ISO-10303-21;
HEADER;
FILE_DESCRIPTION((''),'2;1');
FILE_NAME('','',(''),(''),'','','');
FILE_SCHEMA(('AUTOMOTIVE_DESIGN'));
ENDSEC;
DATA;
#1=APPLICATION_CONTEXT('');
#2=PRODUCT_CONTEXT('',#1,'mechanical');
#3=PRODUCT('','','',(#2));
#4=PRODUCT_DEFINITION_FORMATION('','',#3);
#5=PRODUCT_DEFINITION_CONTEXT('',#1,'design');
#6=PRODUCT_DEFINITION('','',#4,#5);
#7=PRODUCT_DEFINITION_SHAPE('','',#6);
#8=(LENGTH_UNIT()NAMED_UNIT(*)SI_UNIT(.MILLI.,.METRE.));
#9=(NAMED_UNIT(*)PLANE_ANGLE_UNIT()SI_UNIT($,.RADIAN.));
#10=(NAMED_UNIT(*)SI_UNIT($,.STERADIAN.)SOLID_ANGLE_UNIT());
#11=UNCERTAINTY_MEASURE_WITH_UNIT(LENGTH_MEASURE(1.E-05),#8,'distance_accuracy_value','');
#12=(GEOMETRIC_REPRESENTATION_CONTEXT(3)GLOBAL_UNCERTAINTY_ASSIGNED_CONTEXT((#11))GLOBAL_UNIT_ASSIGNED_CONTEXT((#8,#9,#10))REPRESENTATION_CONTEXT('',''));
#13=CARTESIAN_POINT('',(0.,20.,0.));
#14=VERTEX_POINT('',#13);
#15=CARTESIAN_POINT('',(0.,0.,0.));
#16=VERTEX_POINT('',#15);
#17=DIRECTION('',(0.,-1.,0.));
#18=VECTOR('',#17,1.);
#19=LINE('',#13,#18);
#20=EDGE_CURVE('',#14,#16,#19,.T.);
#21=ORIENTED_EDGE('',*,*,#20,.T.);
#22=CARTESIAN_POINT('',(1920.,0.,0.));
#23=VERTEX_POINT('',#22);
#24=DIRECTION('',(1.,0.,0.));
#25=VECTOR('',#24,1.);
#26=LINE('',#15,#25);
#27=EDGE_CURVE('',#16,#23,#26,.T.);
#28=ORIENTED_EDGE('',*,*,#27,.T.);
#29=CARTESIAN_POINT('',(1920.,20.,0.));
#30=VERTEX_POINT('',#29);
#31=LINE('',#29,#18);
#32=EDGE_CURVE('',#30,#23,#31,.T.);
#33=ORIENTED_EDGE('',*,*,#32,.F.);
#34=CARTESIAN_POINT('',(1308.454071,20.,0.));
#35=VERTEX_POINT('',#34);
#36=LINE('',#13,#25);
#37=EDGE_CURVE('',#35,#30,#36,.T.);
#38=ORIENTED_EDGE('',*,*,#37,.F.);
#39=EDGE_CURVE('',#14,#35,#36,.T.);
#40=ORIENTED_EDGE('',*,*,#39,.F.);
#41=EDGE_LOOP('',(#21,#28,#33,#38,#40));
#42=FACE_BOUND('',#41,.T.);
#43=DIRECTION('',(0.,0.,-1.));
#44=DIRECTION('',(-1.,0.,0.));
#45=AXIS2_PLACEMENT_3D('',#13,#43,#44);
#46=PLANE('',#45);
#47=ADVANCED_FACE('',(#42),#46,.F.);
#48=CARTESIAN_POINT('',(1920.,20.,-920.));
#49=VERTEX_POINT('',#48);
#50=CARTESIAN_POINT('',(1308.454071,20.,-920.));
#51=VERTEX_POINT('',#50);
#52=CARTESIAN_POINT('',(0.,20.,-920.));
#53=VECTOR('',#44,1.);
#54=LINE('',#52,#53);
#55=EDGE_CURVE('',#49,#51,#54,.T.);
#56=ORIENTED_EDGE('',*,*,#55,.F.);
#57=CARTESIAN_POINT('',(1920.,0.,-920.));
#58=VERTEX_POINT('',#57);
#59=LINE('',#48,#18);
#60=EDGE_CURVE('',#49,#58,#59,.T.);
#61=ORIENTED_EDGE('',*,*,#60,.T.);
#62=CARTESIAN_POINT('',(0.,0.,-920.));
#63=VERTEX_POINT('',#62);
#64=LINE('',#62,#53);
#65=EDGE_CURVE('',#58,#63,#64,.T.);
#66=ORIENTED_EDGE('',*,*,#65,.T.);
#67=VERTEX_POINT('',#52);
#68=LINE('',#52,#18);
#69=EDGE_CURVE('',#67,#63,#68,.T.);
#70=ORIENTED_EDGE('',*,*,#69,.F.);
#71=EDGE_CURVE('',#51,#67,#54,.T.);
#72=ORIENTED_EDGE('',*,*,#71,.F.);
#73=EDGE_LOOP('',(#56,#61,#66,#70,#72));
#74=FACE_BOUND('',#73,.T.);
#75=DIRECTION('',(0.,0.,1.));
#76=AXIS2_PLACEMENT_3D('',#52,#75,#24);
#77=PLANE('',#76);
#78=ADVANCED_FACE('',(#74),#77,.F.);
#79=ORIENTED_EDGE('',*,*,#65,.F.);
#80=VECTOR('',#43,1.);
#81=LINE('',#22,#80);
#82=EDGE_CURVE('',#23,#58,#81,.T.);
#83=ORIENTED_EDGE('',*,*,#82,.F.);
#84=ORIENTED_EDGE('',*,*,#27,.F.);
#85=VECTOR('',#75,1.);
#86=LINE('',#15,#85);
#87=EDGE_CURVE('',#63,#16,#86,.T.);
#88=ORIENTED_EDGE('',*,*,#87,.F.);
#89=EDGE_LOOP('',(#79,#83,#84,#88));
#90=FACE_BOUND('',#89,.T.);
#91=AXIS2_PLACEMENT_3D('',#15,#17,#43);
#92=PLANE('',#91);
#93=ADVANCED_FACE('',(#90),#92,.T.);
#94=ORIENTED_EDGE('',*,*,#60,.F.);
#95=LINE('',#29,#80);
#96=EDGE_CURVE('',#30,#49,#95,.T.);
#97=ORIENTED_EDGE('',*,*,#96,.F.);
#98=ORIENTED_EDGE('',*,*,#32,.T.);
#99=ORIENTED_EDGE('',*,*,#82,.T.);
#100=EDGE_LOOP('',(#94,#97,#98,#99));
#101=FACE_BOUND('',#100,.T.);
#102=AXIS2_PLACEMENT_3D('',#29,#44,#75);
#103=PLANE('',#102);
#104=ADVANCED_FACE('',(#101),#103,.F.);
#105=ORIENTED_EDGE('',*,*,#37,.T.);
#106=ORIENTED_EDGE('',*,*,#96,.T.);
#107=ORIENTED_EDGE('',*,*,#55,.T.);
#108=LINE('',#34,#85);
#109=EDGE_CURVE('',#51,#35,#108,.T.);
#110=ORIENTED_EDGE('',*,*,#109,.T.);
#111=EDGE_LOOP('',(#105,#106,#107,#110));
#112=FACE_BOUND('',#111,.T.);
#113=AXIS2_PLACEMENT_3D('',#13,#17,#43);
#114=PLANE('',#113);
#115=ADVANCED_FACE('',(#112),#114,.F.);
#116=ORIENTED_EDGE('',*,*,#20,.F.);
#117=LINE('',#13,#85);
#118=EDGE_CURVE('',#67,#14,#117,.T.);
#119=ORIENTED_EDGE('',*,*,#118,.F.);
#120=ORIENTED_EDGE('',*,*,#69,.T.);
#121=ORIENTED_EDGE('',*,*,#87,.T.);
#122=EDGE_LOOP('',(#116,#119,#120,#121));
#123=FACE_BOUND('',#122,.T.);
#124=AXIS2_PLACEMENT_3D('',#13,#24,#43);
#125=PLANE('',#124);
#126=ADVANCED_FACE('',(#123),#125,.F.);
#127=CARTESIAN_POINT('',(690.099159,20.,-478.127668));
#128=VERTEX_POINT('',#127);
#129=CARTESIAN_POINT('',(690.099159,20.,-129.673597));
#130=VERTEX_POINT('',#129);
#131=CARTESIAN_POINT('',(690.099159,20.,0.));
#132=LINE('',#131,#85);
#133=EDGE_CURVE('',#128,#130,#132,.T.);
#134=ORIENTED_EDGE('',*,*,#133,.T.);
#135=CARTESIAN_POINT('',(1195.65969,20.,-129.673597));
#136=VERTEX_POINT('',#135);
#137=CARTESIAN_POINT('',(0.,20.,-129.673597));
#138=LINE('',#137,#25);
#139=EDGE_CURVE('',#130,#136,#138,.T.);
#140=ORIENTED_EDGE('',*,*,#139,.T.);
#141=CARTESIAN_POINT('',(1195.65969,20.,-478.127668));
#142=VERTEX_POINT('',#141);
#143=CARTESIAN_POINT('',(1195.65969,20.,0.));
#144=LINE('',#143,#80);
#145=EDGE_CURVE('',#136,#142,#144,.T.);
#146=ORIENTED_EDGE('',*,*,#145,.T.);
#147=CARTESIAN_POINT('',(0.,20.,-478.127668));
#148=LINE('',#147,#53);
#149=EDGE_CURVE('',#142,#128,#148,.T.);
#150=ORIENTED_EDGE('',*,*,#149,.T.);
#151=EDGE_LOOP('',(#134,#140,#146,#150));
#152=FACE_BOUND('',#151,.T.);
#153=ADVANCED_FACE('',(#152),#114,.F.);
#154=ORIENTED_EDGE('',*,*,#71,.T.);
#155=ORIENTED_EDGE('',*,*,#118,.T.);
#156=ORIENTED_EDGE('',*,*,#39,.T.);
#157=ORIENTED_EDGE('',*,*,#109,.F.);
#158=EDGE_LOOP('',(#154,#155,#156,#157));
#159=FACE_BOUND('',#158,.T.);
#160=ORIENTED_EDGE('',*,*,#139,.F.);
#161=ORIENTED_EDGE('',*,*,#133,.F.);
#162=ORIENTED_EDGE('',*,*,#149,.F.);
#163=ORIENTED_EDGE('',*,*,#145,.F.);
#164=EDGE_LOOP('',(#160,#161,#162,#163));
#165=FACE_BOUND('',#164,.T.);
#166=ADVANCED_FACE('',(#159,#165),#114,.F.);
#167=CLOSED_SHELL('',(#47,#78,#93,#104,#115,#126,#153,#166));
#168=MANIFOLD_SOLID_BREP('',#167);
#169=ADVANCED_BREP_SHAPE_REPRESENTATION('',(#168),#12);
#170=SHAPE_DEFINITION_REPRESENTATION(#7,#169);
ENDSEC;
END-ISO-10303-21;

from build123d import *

# Parameters (mm, degrees)
IZIM2_W                     = 1920
IZIM2_H                     = 920
Y_KSEKLIK_EKSTR_ZYON2_DEPTH = 20


with BuildPart() as part:
    # Çizim2 → Yükseklik-Ekstrüzyon2 (new body)
    with BuildSketch(Plane(origin=(0, 0, 0), x_dir=(1, 0, 0), z_dir=(0, 1, 0))):
        with Locations((960, 460)):
            Rectangle(IZIM2_W, IZIM2_H)
    extrude(amount=Y_KSEKLIK_EKSTR_ZYON2_DEPTH)


solid = part.part
